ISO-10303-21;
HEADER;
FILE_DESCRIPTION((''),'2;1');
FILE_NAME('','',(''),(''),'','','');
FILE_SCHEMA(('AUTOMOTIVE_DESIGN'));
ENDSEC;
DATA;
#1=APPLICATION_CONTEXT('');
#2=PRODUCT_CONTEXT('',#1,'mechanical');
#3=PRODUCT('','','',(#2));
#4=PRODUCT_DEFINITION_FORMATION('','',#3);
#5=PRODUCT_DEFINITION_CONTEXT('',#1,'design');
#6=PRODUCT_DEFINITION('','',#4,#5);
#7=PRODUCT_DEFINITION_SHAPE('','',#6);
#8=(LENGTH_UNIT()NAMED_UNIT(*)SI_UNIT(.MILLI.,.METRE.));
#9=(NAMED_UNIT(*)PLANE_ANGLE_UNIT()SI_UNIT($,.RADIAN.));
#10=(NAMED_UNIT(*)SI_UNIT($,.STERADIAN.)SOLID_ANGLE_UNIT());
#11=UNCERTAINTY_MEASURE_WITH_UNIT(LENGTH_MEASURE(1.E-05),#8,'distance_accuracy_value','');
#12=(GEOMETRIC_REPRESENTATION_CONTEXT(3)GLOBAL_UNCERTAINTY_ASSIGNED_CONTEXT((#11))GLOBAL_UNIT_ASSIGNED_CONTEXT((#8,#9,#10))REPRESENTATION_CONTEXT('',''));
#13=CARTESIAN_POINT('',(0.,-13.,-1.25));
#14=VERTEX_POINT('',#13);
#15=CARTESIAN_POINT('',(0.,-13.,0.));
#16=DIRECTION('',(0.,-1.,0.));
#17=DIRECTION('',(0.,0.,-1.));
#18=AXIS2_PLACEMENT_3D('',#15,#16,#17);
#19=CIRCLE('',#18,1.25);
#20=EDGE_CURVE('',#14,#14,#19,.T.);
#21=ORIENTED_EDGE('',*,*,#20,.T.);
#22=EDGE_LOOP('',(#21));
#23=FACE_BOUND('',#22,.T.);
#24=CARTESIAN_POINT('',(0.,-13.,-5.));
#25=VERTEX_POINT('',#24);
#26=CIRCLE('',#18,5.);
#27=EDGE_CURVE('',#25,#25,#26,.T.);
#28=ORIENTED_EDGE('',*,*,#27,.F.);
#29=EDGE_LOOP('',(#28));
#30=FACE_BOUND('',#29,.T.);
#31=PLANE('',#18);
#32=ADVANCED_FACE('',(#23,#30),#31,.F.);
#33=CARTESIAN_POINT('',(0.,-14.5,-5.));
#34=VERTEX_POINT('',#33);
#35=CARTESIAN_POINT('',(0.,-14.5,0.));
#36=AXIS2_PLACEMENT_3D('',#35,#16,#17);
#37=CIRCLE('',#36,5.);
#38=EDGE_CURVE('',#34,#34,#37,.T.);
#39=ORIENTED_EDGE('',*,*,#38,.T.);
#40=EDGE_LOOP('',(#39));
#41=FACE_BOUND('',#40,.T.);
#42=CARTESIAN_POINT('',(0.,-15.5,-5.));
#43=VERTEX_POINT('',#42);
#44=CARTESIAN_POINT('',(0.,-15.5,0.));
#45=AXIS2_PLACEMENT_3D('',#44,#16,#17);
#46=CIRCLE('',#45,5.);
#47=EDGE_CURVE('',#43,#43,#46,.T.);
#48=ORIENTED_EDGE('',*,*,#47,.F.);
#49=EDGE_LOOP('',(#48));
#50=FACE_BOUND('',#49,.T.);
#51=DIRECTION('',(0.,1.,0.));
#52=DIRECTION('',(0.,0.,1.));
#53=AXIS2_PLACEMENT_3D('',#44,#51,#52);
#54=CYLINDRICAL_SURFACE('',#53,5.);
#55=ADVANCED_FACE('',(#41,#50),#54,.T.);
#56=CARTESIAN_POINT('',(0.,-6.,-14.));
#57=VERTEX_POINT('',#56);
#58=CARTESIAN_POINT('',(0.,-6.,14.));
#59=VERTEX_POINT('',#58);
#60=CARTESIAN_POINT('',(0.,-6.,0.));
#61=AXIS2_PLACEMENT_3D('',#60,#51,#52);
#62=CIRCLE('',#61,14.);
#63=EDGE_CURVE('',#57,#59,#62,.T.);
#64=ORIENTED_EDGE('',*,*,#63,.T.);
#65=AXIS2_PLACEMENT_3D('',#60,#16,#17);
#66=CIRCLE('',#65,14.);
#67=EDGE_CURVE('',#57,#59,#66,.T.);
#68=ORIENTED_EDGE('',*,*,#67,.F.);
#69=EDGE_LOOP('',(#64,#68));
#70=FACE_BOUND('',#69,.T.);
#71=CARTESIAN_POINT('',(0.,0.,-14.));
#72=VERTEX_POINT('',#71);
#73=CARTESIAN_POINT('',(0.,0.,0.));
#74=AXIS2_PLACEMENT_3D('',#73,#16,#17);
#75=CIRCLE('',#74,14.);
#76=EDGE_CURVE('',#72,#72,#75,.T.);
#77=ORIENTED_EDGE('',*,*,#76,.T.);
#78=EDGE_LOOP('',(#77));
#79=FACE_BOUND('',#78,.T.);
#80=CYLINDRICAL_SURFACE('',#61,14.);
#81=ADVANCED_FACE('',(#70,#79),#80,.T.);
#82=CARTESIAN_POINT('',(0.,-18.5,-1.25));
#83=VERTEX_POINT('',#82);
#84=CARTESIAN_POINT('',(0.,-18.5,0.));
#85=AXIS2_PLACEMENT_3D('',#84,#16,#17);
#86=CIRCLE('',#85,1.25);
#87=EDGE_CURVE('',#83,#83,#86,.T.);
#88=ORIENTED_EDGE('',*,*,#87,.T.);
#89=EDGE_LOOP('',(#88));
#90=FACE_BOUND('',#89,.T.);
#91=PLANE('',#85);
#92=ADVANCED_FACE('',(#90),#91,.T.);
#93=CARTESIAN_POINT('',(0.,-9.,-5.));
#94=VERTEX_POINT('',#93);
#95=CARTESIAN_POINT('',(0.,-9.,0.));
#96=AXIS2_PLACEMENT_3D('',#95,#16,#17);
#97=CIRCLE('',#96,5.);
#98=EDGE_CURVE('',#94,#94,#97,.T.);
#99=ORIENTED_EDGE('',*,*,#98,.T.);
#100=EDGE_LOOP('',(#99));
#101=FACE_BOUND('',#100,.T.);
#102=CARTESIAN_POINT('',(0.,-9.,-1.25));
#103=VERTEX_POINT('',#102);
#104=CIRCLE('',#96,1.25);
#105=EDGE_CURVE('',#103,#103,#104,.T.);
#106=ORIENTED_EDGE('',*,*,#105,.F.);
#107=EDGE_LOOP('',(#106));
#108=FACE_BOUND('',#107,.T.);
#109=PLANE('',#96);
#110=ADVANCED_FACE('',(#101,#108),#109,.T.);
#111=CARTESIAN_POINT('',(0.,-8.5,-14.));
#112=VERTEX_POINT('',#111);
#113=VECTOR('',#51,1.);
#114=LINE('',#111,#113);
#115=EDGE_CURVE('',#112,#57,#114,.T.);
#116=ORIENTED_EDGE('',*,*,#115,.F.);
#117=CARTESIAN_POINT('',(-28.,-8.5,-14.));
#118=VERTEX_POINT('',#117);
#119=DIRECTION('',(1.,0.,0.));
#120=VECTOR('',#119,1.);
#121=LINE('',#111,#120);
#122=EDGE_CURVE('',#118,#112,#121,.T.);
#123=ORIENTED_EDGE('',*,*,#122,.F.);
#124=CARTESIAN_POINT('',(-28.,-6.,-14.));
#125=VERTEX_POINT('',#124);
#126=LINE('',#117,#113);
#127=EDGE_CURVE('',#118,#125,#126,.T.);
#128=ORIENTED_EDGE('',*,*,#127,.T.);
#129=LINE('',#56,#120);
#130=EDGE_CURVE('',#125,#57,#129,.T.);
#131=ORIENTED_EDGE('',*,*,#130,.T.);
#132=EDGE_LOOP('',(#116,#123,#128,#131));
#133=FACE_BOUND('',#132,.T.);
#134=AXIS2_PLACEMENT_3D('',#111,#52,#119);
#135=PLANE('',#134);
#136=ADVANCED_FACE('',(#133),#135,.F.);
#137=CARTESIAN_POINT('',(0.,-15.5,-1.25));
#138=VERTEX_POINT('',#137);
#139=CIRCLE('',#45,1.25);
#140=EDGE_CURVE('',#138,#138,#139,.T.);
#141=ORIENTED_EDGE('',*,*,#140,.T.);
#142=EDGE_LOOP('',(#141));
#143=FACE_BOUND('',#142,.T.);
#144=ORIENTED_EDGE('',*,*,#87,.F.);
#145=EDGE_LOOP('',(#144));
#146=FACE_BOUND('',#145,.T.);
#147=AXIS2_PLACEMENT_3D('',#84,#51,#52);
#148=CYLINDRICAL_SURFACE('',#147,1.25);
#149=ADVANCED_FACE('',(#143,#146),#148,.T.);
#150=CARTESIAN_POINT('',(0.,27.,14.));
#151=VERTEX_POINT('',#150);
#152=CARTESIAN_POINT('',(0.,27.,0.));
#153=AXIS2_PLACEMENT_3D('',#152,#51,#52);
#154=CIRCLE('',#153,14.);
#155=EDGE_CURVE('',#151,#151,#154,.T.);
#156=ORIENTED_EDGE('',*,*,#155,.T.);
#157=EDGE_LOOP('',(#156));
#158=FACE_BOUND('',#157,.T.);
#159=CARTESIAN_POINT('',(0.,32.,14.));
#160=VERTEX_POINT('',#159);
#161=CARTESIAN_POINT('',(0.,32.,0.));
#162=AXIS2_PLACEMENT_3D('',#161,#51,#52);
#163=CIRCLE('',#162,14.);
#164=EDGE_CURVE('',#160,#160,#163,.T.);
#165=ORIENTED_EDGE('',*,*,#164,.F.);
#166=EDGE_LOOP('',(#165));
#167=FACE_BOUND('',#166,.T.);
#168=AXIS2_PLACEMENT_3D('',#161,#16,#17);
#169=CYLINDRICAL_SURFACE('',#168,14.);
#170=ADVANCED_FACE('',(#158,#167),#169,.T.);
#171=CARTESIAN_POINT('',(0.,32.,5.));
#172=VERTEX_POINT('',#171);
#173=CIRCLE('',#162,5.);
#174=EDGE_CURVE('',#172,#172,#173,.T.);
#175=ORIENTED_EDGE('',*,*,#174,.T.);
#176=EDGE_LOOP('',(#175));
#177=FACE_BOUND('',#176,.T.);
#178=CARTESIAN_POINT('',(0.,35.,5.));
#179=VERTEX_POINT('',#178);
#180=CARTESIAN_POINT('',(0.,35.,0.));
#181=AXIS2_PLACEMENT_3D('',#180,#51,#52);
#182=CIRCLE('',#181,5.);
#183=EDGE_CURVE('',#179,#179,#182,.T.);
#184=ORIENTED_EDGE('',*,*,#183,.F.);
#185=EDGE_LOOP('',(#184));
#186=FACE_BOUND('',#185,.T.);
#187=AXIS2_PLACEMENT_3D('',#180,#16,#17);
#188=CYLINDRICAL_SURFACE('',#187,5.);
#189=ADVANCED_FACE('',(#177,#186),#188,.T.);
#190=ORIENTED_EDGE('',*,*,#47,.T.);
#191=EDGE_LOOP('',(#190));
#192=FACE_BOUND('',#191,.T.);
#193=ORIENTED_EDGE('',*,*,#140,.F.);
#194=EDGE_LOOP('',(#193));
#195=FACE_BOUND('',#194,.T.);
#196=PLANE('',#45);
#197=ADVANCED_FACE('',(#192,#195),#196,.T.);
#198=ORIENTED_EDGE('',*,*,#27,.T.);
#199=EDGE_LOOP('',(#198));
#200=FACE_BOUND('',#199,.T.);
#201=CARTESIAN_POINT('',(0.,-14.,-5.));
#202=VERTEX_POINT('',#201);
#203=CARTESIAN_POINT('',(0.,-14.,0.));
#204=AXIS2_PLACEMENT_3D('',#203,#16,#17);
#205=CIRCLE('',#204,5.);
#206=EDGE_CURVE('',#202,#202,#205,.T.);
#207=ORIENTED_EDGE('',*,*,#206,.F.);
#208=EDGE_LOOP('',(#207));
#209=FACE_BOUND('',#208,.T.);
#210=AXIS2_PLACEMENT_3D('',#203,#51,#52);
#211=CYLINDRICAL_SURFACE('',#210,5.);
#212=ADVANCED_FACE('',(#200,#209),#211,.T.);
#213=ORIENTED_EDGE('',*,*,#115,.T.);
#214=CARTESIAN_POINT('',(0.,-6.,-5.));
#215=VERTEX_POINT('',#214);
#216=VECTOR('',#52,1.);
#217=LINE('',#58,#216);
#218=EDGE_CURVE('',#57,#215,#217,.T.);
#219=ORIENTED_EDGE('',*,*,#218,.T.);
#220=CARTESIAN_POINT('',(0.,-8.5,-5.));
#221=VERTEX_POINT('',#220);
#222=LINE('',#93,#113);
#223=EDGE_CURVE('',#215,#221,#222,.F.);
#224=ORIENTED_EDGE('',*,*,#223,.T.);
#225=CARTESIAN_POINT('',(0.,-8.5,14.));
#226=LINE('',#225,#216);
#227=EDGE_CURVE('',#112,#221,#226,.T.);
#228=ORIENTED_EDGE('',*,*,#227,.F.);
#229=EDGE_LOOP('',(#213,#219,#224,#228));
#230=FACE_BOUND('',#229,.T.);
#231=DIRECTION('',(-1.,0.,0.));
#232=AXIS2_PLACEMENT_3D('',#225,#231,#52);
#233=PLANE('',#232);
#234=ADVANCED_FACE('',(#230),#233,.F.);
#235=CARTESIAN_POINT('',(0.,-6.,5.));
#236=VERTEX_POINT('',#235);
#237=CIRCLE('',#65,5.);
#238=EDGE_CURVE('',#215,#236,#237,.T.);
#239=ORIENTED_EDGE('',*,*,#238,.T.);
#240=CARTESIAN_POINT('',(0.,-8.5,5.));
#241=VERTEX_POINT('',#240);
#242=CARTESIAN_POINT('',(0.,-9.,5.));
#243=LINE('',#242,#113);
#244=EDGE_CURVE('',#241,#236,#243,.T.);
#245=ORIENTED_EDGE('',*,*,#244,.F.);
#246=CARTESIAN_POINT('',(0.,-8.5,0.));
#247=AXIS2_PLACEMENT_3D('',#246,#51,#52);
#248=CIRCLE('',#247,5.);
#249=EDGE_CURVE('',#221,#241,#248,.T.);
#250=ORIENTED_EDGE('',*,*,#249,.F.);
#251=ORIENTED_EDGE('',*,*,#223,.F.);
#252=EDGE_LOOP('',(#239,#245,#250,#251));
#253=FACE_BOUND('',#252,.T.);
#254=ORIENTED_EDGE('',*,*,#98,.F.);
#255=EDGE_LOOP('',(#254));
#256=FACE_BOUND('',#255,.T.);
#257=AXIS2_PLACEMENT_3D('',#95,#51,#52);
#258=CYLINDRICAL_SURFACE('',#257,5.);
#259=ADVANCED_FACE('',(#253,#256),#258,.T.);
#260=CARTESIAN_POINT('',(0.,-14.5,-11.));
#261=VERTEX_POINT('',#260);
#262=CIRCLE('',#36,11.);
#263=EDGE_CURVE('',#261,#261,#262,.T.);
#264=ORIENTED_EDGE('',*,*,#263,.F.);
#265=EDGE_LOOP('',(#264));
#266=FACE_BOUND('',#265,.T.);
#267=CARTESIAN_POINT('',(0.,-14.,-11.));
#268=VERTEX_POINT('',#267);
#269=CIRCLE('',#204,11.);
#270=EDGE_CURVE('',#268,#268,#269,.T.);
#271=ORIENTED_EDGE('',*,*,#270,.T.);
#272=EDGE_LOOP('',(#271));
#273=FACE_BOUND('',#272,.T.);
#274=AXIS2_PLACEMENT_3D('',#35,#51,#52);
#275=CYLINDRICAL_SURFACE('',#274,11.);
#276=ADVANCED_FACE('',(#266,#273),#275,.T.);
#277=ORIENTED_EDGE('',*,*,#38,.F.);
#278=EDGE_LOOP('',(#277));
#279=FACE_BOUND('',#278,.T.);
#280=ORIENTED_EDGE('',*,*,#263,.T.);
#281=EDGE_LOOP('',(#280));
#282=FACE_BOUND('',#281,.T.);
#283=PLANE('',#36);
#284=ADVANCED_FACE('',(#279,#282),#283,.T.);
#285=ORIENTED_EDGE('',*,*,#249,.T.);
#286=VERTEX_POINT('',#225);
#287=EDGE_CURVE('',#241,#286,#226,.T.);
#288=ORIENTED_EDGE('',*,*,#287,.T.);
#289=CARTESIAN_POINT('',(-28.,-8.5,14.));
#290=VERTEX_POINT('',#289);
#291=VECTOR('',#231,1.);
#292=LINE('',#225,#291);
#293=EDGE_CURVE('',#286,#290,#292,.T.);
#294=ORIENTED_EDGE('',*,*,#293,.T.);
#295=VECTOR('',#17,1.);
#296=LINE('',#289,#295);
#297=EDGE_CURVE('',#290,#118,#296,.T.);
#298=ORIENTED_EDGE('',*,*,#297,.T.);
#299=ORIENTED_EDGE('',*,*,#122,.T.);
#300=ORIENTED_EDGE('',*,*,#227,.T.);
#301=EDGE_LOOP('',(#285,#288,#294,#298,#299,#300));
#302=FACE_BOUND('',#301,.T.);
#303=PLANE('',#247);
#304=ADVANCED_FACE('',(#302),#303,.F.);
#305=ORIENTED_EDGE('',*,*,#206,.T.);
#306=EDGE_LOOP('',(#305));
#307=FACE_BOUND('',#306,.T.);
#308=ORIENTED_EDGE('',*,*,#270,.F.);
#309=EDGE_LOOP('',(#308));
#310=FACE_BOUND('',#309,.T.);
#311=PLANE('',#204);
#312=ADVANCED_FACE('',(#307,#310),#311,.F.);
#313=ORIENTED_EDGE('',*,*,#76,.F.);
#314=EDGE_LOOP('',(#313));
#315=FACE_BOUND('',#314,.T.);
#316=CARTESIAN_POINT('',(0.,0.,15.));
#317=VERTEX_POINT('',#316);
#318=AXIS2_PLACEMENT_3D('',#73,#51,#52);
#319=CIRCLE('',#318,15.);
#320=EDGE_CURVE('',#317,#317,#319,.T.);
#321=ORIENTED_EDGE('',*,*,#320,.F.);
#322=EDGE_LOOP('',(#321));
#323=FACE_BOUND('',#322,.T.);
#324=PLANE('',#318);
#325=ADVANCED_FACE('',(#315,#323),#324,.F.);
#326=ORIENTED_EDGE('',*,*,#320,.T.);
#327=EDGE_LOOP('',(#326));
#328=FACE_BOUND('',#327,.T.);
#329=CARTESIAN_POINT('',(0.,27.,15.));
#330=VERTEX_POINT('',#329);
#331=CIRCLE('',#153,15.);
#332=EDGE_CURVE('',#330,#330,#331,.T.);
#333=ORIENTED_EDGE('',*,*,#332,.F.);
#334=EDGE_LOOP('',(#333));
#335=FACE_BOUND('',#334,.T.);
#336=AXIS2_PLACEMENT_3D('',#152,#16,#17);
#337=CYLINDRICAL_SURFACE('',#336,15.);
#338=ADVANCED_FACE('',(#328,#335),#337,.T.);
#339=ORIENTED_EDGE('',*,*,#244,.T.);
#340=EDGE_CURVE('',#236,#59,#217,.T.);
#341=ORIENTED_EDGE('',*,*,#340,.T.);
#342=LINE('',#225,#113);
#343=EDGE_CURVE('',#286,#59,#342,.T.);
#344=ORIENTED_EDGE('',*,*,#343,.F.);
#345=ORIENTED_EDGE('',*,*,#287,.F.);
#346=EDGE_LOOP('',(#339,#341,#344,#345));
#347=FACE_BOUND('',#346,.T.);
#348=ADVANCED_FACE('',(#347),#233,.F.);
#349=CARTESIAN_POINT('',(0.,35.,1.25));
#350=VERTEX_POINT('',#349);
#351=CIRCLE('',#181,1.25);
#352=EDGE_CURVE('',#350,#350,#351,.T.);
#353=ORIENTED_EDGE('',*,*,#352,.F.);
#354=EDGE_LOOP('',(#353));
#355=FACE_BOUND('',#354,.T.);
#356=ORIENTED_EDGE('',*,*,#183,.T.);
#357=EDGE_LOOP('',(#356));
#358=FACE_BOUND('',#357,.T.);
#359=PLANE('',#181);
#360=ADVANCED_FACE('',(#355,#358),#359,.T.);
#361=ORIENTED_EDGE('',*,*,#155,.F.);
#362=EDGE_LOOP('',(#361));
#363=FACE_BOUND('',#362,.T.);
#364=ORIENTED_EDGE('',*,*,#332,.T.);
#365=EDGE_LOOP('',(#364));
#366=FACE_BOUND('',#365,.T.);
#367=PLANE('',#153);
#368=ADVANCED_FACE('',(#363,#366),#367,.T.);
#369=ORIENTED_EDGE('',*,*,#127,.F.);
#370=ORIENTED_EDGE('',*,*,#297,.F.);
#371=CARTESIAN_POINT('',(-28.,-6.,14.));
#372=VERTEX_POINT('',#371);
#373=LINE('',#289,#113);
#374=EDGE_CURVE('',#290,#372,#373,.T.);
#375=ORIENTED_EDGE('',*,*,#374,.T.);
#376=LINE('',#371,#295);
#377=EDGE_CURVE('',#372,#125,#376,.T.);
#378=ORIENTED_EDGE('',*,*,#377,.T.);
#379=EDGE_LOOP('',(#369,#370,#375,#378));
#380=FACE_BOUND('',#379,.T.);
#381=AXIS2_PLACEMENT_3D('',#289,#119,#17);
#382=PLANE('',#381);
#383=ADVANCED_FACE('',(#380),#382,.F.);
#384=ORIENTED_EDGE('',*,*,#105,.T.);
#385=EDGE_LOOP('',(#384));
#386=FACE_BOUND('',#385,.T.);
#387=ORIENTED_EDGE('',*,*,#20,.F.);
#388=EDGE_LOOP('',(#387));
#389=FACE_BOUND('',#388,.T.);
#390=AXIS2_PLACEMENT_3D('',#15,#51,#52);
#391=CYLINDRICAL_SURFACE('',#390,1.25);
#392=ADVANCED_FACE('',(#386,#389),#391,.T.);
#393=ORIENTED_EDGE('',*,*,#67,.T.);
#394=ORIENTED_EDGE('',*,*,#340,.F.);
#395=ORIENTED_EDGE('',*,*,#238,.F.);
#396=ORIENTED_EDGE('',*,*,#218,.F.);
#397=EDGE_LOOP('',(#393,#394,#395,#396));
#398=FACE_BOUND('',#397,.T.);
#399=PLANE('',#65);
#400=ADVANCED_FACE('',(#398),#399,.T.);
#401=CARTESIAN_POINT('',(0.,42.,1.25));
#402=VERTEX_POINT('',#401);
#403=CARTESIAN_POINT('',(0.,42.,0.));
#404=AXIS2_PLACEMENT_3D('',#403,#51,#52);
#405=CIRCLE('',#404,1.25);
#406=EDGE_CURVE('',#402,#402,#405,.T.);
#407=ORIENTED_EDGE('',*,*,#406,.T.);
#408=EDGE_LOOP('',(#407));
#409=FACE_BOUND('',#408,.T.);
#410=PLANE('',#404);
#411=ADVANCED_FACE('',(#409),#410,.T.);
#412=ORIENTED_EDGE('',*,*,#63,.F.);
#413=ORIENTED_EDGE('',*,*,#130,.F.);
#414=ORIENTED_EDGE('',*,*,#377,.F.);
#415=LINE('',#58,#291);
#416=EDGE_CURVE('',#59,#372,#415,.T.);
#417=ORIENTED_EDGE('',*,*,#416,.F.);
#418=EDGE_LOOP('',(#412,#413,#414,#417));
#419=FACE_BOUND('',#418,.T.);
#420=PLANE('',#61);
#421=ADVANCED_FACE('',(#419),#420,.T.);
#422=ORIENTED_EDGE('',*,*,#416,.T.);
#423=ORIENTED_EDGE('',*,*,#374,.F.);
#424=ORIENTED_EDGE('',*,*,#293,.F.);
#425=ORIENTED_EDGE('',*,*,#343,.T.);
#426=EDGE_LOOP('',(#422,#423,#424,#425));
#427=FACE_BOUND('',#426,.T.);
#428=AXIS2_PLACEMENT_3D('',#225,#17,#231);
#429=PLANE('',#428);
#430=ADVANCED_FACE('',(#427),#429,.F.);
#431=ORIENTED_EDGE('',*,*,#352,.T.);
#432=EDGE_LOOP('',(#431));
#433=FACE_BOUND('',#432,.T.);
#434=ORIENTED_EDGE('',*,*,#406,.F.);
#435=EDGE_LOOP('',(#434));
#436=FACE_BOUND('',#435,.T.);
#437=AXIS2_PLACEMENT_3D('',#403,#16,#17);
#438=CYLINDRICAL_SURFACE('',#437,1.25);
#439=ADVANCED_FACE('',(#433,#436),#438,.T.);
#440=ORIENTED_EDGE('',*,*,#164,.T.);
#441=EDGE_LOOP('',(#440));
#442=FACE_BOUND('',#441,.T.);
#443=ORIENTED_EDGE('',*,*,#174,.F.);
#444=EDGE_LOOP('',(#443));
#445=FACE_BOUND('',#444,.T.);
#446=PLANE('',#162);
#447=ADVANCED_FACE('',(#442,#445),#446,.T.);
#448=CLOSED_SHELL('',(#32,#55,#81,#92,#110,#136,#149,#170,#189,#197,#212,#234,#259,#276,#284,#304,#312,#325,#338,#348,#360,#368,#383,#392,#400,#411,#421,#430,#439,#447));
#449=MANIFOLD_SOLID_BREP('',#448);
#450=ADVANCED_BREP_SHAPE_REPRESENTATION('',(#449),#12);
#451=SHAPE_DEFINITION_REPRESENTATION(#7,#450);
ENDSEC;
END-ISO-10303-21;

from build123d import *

# Parameters (mm, degrees)
SKETCH1_R            = 15
BOSS_EXTRUDE1_DEPTH  = 27
SKETCH2_R            = 14
BOSS_EXTRUDE2_DEPTH  = 5
SKETCH3_R            = 5
BOSS_EXTRUDE3_DEPTH  = 3
SKETCH4_R            = 1.25
BOSS_EXTRUDE4_DEPTH  = 7
BOSS_EXTRUDE5_START  = 6
SKETCH5_R            = 14
BOSS_EXTRUDE5_DEPTH  = 6
BOSS_EXTRUDE6_START  = 3
SKETCH6_R            = 5
BOSS_EXTRUDE6_DEPTH  = 3
SKETCH7_W            = 28
SKETCH7_H            = 28
BOSS_EXTRUDE7_DEPTH  = 2.5
BOSS_EXTRUDE8_START  = 4
SKETCH8_R            = 1.25
BOSS_EXTRUDE8_DEPTH  = 4
BOSS_EXTRUDE9_START  = 1
SKETCH9_R            = 5
BOSS_EXTRUDE9_DEPTH  = 1
SKETCH10_R           = 11
BOSS_EXTRUDE10_DEPTH = 0.5
BOSS_EXTRUDE11_START = 1
SKETCH11_R           = 5
BOSS_EXTRUDE11_DEPTH = 1
BOSS_EXTRUDE12_START = 3
SKETCH12_R           = 1.25
BOSS_EXTRUDE12_DEPTH = 3


with BuildPart() as part:
    # Sketch1 → Boss-Extrude1 (new body)
    with BuildSketch(Plane(origin=(0, 0, 0), x_dir=(1, 0, 0), z_dir=(0, 1, 0))):
        with Locations(Location((0, 0, 0), (0, 0, 270))):
            Circle(SKETCH1_R)
    extrude(amount=BOSS_EXTRUDE1_DEPTH)

    # Sketch2 → Boss-Extrude2 (add)
    with BuildSketch(Plane(origin=(0, 27, 0), x_dir=(1, 0, 0), z_dir=(0, 1, 0))):
        with Locations(Location((0, 0, 0), (0, 0, 270))):
            Circle(SKETCH2_R)
    extrude(amount=BOSS_EXTRUDE2_DEPTH)

    # Sketch3 → Boss-Extrude3 (add)
    with BuildSketch(Plane(origin=(0, 32, 0), x_dir=(1, 0, 0), z_dir=(0, 1, 0))):
        with Locations(Location((0, 0, 0), (0, 0, 270))):
            Circle(SKETCH3_R)
    extrude(amount=BOSS_EXTRUDE3_DEPTH)

    # Sketch4 → Boss-Extrude4 (add)
    with BuildSketch(Plane(origin=(0, 35, 0), x_dir=(1, 0, 0), z_dir=(0, 1, 0))):
        with Locations(Location((0, 0, 0), (0, 0, 270))):
            Circle(SKETCH4_R)
    extrude(amount=BOSS_EXTRUDE4_DEPTH)

    # Sketch5 → Boss-Extrude5 (add)
    with BuildSketch(Plane.XZ.offset(BOSS_EXTRUDE5_START)):
        with Locations(Location((0, 0, 0), (0, 0, 90))):
            Circle(SKETCH5_R)
    extrude(amount=-BOSS_EXTRUDE5_DEPTH)

    # Sketch6 → Boss-Extrude6 (add)
    with BuildSketch(Plane.XZ.offset(6).offset(BOSS_EXTRUDE6_START)):
        with Locations(Location((0, 0, 0), (0, 0, 90))):
            Circle(SKETCH6_R)
    extrude(amount=-BOSS_EXTRUDE6_DEPTH)

    # Sketch7 → Boss-Extrude7 (add)
    with BuildSketch(Plane.XZ.offset(6)):
        with Locations((-14, 0)):
            Rectangle(SKETCH7_W, SKETCH7_H)
    extrude(amount=BOSS_EXTRUDE7_DEPTH)

    # Sketch8 → Boss-Extrude8 (add)
    with BuildSketch(Plane.XZ.offset(9).offset(BOSS_EXTRUDE8_START)):
        with Locations(Location((0, 0, 0), (0, 0, 90))):
            Circle(SKETCH8_R)
    extrude(amount=-BOSS_EXTRUDE8_DEPTH)

    # Sketch9 → Boss-Extrude9 (add)
    with BuildSketch(Plane.XZ.offset(13).offset(BOSS_EXTRUDE9_START)):
        with Locations(Location((0, 0, 0), (0, 0, 270))):
            Circle(SKETCH9_R)
    extrude(amount=-BOSS_EXTRUDE9_DEPTH)

    # Sketch10 → Boss-Extrude10 (add)
    with BuildSketch(Plane.XZ.offset(14)):
        with Locations(Location((0, 0, 0), (0, 0, 270))):
            Circle(SKETCH10_R)
    extrude(amount=BOSS_EXTRUDE10_DEPTH)

    # Sketch11 → Boss-Extrude11 (add)
    with BuildSketch(Plane.XZ.offset(14.5).offset(BOSS_EXTRUDE11_START)):
        with Locations(Location((0, 0, 0), (0, 0, 270))):
            Circle(SKETCH11_R)
    extrude(amount=-BOSS_EXTRUDE11_DEPTH)

    # Sketch12 → Boss-Extrude12 (add)
    with BuildSketch(Plane.XZ.offset(15.5).offset(BOSS_EXTRUDE12_START)):
        with Locations(Location((0, 0, 0), (0, 0, 90))):
            Circle(SKETCH12_R)
    extrude(amount=-BOSS_EXTRUDE12_DEPTH)


solid = part.part
